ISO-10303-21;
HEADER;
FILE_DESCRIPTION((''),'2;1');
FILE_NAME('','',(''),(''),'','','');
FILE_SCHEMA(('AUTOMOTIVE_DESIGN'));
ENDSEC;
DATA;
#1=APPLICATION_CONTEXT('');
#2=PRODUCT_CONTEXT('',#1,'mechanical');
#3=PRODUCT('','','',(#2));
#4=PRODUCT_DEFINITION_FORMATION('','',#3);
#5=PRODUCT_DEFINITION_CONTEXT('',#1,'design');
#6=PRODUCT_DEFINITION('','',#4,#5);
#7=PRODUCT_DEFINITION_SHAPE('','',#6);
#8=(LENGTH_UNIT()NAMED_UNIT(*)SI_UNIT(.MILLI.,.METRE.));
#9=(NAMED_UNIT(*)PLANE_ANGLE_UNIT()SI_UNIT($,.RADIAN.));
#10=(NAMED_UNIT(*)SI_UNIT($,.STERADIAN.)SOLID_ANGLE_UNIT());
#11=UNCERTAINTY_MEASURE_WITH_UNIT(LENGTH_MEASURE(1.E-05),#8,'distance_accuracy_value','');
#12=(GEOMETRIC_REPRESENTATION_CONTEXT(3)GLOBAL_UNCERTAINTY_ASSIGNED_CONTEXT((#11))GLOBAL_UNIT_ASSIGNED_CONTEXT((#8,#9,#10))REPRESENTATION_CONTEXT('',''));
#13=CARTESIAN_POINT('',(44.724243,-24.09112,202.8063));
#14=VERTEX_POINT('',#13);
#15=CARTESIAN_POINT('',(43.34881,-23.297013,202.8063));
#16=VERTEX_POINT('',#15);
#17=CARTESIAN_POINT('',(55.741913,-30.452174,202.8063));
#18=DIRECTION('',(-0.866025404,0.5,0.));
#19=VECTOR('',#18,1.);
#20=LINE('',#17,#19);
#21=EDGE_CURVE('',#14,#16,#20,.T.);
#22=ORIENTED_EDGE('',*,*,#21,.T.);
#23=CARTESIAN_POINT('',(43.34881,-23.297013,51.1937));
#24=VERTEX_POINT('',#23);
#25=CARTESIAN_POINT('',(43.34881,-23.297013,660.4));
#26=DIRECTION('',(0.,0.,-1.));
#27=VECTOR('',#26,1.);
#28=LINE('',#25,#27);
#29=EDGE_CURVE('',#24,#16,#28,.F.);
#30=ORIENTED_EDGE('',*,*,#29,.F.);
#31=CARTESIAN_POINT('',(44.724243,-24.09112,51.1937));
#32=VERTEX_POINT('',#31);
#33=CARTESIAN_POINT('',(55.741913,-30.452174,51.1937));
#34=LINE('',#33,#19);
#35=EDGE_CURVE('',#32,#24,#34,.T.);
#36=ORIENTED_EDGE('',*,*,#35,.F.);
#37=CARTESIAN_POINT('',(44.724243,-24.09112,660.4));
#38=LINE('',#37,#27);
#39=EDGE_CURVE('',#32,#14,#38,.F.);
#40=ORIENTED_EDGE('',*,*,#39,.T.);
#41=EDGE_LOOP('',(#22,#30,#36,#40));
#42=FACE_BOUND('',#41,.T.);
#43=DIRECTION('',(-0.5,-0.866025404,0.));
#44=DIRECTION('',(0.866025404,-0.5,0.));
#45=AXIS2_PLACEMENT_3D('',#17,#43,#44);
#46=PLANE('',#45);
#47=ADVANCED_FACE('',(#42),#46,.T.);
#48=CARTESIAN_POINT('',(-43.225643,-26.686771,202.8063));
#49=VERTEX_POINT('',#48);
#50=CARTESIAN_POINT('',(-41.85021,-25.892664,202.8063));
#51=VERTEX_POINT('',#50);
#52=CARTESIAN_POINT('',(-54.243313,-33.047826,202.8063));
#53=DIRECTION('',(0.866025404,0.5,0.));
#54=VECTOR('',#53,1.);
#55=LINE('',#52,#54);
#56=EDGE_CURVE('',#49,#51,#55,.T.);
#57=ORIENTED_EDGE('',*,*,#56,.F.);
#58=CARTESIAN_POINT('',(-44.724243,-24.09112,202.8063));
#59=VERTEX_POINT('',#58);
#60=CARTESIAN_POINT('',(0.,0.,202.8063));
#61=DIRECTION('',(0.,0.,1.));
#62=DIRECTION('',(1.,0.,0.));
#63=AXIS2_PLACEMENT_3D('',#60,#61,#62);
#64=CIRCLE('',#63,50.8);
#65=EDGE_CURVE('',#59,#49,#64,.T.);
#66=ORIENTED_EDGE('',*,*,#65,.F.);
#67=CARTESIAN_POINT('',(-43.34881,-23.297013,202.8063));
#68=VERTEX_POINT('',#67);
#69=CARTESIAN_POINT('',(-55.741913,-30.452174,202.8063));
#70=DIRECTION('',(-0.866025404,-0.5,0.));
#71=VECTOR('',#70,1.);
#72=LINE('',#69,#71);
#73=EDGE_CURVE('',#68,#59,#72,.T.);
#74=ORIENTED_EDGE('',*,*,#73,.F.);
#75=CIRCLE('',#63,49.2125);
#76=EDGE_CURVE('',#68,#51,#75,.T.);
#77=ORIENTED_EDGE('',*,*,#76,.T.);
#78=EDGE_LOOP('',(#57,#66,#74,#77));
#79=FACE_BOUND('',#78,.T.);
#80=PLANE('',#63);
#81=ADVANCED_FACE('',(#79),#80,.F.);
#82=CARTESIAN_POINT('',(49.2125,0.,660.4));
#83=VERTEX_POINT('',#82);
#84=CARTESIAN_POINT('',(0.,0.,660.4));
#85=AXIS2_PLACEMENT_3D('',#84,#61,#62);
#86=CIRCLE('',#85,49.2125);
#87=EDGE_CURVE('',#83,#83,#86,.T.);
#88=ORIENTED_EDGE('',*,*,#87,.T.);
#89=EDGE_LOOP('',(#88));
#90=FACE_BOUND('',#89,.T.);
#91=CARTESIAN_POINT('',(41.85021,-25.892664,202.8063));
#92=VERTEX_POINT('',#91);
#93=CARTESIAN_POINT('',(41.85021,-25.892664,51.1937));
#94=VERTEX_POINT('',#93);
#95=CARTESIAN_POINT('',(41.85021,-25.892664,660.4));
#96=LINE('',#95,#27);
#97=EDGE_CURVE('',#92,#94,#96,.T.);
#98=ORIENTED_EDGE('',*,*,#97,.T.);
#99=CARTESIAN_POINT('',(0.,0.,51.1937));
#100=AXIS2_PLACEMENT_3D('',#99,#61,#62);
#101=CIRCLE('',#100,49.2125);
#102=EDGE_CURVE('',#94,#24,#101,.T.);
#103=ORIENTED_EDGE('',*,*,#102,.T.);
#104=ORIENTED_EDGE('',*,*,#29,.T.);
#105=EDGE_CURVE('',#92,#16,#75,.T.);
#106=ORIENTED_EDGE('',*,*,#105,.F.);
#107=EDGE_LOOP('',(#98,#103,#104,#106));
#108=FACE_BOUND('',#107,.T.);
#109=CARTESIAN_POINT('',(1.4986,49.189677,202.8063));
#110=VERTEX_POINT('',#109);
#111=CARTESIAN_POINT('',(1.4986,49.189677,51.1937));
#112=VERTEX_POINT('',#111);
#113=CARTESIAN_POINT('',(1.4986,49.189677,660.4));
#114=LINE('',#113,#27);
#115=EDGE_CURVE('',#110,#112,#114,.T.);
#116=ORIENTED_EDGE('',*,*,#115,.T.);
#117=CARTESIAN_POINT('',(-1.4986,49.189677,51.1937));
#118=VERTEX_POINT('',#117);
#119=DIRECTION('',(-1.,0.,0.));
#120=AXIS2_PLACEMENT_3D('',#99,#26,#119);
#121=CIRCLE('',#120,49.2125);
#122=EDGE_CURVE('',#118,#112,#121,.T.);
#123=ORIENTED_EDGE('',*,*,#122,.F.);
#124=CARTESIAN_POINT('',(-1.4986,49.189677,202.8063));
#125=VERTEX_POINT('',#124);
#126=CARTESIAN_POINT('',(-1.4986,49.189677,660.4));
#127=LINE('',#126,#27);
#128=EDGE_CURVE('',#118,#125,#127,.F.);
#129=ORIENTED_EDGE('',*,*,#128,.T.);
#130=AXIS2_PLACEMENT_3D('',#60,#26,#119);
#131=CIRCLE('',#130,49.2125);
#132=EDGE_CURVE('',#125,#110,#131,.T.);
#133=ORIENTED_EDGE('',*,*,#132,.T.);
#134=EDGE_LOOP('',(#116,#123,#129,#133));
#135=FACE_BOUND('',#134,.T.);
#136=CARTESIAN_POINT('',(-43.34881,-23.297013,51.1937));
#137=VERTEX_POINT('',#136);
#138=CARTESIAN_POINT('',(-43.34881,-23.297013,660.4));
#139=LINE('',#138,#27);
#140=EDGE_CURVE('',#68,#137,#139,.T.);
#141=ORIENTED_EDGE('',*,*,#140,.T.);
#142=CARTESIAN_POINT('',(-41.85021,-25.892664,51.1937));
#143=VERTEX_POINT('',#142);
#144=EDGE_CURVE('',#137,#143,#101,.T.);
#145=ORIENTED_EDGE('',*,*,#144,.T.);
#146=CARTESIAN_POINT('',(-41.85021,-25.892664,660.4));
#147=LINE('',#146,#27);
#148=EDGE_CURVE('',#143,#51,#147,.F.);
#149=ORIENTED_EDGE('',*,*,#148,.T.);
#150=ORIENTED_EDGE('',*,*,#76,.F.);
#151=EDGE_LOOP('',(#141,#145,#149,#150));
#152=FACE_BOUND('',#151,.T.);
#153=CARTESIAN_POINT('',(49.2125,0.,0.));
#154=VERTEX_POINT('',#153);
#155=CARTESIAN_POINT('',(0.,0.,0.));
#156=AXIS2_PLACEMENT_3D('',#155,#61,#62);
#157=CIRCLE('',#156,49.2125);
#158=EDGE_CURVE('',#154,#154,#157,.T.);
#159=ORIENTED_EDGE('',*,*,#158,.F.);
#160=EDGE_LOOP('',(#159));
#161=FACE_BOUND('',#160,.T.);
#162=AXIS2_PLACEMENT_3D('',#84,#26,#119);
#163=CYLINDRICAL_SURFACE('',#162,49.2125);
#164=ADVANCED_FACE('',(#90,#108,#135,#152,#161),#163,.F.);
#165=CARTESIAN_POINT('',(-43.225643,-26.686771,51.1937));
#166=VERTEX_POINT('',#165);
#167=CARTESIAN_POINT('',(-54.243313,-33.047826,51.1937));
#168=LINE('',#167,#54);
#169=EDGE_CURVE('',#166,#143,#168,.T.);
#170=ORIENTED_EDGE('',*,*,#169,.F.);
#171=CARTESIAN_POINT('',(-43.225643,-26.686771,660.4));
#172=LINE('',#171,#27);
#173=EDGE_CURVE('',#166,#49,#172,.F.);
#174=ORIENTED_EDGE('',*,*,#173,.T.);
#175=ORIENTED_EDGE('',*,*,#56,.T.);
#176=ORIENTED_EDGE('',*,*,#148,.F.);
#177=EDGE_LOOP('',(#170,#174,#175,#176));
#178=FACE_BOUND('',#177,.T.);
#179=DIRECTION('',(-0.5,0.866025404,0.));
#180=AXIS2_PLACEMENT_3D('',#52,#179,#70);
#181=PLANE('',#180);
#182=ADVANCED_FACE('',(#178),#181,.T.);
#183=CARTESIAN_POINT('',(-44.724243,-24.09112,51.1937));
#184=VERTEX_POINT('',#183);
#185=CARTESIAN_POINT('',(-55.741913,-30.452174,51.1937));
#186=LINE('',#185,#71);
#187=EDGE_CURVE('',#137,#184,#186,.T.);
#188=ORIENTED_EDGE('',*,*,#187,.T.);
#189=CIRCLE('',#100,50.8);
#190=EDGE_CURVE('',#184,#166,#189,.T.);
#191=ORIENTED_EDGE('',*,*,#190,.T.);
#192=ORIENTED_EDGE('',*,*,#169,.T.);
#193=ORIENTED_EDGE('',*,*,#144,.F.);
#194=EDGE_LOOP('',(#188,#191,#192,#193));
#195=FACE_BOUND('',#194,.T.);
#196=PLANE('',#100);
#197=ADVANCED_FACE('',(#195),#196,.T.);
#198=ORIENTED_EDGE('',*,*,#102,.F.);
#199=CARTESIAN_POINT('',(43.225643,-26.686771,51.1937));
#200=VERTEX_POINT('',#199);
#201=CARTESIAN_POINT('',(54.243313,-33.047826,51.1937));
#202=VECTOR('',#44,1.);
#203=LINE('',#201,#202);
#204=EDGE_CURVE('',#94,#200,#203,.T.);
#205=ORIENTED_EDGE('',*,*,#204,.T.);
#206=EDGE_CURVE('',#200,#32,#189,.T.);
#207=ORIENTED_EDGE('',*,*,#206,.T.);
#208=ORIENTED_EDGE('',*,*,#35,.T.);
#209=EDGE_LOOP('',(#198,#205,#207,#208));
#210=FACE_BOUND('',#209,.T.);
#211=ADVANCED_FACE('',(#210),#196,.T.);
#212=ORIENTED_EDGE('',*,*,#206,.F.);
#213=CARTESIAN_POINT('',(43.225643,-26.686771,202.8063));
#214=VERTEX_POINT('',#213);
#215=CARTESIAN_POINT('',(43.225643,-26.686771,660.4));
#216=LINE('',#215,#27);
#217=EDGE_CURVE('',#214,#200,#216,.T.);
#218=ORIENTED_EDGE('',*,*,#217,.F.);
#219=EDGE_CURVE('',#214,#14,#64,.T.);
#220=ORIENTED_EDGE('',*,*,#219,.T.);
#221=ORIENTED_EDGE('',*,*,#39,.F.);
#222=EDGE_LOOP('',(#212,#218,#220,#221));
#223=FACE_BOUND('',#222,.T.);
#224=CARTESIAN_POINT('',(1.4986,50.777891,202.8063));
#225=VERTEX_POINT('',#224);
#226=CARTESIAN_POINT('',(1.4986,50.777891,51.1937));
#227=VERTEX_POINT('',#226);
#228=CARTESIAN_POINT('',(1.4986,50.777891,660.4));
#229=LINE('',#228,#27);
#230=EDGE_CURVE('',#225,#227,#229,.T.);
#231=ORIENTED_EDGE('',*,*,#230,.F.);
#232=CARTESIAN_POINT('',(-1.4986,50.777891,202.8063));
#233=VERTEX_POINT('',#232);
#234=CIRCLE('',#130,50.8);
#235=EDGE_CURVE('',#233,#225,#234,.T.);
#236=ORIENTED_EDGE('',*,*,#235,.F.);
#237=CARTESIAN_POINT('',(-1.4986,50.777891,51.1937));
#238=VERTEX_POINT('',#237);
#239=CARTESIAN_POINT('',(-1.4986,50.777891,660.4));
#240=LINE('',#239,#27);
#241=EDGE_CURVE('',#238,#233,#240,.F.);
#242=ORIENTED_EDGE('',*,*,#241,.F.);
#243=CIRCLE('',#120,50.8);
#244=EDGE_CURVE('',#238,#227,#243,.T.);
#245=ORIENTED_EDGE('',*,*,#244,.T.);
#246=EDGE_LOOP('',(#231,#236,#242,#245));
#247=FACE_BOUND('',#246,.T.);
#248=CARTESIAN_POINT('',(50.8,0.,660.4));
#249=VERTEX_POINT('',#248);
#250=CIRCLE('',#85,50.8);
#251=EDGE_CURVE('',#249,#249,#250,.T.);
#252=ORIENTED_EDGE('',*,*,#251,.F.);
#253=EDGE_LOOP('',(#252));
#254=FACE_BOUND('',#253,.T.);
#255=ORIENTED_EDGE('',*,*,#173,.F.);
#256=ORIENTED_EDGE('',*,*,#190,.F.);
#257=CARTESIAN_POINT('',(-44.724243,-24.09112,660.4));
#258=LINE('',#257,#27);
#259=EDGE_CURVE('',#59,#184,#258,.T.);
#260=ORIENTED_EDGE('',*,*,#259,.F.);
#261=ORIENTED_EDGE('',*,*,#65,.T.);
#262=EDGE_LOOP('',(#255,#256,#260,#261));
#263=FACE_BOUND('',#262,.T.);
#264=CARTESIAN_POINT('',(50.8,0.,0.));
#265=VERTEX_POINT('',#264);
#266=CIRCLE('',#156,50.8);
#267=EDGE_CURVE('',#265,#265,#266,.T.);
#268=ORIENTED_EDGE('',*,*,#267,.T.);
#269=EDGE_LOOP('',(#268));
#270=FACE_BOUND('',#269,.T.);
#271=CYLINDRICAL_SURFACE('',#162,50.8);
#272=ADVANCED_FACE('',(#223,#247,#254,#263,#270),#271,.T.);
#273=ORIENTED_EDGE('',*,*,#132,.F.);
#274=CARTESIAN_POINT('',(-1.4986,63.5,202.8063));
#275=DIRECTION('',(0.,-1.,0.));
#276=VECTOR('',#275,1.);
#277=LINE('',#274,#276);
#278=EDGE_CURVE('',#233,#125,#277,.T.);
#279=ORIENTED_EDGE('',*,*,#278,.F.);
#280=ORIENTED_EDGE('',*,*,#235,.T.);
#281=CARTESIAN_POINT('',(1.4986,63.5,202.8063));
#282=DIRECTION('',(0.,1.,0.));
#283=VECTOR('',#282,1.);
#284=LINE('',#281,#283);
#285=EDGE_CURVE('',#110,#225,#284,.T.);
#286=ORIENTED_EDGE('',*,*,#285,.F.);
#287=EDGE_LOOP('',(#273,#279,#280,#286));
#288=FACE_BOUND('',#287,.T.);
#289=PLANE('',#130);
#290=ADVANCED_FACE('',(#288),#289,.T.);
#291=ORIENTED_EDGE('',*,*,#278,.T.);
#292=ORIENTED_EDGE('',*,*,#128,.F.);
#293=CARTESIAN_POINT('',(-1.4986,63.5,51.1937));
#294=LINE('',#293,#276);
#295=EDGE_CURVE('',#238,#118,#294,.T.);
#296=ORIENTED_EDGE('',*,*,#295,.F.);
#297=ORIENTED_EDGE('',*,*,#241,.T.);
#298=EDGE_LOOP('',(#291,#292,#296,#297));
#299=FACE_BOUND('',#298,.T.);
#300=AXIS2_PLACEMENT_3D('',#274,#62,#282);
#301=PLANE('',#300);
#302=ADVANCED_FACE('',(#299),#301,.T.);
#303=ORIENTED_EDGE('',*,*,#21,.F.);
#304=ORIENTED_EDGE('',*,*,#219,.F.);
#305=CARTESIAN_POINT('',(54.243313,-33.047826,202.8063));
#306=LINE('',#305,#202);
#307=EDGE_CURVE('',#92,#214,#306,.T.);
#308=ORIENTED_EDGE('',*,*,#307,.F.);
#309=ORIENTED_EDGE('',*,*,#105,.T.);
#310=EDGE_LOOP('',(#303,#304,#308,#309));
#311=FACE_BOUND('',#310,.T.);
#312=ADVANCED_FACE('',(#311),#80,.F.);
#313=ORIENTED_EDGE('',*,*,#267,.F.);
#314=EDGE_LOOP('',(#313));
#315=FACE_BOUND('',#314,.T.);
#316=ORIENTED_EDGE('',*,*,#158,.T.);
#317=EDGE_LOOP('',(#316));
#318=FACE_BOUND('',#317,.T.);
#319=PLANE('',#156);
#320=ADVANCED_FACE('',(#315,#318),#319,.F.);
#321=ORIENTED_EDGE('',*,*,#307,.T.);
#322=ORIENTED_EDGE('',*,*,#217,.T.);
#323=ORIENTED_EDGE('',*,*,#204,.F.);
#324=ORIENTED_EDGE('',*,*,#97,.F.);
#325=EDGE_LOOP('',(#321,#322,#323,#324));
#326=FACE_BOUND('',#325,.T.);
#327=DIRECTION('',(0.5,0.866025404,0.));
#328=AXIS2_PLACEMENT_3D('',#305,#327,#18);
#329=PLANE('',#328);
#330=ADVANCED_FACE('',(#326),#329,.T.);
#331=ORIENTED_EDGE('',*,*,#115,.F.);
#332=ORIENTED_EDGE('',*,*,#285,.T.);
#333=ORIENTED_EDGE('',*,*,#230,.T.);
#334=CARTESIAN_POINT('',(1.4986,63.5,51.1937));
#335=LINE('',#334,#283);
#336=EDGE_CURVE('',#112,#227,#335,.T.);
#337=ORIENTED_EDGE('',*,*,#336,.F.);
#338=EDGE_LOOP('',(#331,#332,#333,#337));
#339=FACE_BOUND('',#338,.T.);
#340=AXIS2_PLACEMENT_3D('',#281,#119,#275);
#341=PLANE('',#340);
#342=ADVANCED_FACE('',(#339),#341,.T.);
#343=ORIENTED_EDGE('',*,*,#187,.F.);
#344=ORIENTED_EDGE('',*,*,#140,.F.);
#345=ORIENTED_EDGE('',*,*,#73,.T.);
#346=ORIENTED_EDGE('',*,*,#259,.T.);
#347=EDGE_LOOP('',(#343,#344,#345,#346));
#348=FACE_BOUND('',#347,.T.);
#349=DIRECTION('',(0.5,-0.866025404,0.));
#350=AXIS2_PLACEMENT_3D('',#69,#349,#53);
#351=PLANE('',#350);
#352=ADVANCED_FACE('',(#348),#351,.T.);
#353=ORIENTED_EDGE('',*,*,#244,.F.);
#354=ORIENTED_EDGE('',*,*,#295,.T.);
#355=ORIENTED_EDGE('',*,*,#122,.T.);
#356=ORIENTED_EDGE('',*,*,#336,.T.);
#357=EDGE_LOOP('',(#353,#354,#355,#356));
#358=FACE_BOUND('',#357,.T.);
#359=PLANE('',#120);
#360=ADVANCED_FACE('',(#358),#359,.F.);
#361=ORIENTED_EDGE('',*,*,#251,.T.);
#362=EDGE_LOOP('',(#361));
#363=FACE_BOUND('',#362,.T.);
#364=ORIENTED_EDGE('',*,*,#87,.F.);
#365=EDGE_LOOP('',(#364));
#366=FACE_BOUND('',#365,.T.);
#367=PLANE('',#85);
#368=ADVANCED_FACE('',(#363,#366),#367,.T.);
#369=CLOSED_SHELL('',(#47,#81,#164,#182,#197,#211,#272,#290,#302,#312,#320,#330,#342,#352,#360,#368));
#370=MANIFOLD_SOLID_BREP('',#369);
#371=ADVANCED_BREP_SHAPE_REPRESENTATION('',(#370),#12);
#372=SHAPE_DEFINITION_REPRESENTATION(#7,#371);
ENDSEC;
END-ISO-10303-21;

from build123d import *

# Parameters (mm, degrees)
SKETCH1_R           = 50.8
SKETCH1_R_2         = 49.2125
BOSS_EXTRUDE1_DEPTH = 660.4
CUT_EXTRUDE3_START  = 51.1937
SKETCH4_W           = 2.9972
SKETCH4_H           = 25.4
CUT_EXTRUDE3_DEPTH  = 151.6126


with BuildPart() as part:
    # Sketch1 → Boss-Extrude1 (new body)
    with BuildSketch(Plane.XY):
        Circle(SKETCH1_R)
        Circle(SKETCH1_R_2, mode=Mode.SUBTRACT)
    extrude(amount=BOSS_EXTRUDE1_DEPTH)

    # Sketch4 → Cut-Extrude3 (cut)
    with BuildSketch(Plane.XY.offset(CUT_EXTRUDE3_START)):
        Polygon((54.24331314, -33.04782567), (32.246267884, -20.34782567), (33.744867884, -17.75217433), (55.74191314, -30.45217433), align=None)
        with Locations((0, 50.8)):
            Rectangle(SKETCH4_W, SKETCH4_H)
        Polygon((-55.74191314, -30.45217433), (-33.744867884, -17.75217433), (-32.246267884, -20.34782567), (-54.24331314, -33.04782567), align=None)
    extrude(amount=CUT_EXTRUDE3_DEPTH, mode=Mode.SUBTRACT)


solid = part.part
